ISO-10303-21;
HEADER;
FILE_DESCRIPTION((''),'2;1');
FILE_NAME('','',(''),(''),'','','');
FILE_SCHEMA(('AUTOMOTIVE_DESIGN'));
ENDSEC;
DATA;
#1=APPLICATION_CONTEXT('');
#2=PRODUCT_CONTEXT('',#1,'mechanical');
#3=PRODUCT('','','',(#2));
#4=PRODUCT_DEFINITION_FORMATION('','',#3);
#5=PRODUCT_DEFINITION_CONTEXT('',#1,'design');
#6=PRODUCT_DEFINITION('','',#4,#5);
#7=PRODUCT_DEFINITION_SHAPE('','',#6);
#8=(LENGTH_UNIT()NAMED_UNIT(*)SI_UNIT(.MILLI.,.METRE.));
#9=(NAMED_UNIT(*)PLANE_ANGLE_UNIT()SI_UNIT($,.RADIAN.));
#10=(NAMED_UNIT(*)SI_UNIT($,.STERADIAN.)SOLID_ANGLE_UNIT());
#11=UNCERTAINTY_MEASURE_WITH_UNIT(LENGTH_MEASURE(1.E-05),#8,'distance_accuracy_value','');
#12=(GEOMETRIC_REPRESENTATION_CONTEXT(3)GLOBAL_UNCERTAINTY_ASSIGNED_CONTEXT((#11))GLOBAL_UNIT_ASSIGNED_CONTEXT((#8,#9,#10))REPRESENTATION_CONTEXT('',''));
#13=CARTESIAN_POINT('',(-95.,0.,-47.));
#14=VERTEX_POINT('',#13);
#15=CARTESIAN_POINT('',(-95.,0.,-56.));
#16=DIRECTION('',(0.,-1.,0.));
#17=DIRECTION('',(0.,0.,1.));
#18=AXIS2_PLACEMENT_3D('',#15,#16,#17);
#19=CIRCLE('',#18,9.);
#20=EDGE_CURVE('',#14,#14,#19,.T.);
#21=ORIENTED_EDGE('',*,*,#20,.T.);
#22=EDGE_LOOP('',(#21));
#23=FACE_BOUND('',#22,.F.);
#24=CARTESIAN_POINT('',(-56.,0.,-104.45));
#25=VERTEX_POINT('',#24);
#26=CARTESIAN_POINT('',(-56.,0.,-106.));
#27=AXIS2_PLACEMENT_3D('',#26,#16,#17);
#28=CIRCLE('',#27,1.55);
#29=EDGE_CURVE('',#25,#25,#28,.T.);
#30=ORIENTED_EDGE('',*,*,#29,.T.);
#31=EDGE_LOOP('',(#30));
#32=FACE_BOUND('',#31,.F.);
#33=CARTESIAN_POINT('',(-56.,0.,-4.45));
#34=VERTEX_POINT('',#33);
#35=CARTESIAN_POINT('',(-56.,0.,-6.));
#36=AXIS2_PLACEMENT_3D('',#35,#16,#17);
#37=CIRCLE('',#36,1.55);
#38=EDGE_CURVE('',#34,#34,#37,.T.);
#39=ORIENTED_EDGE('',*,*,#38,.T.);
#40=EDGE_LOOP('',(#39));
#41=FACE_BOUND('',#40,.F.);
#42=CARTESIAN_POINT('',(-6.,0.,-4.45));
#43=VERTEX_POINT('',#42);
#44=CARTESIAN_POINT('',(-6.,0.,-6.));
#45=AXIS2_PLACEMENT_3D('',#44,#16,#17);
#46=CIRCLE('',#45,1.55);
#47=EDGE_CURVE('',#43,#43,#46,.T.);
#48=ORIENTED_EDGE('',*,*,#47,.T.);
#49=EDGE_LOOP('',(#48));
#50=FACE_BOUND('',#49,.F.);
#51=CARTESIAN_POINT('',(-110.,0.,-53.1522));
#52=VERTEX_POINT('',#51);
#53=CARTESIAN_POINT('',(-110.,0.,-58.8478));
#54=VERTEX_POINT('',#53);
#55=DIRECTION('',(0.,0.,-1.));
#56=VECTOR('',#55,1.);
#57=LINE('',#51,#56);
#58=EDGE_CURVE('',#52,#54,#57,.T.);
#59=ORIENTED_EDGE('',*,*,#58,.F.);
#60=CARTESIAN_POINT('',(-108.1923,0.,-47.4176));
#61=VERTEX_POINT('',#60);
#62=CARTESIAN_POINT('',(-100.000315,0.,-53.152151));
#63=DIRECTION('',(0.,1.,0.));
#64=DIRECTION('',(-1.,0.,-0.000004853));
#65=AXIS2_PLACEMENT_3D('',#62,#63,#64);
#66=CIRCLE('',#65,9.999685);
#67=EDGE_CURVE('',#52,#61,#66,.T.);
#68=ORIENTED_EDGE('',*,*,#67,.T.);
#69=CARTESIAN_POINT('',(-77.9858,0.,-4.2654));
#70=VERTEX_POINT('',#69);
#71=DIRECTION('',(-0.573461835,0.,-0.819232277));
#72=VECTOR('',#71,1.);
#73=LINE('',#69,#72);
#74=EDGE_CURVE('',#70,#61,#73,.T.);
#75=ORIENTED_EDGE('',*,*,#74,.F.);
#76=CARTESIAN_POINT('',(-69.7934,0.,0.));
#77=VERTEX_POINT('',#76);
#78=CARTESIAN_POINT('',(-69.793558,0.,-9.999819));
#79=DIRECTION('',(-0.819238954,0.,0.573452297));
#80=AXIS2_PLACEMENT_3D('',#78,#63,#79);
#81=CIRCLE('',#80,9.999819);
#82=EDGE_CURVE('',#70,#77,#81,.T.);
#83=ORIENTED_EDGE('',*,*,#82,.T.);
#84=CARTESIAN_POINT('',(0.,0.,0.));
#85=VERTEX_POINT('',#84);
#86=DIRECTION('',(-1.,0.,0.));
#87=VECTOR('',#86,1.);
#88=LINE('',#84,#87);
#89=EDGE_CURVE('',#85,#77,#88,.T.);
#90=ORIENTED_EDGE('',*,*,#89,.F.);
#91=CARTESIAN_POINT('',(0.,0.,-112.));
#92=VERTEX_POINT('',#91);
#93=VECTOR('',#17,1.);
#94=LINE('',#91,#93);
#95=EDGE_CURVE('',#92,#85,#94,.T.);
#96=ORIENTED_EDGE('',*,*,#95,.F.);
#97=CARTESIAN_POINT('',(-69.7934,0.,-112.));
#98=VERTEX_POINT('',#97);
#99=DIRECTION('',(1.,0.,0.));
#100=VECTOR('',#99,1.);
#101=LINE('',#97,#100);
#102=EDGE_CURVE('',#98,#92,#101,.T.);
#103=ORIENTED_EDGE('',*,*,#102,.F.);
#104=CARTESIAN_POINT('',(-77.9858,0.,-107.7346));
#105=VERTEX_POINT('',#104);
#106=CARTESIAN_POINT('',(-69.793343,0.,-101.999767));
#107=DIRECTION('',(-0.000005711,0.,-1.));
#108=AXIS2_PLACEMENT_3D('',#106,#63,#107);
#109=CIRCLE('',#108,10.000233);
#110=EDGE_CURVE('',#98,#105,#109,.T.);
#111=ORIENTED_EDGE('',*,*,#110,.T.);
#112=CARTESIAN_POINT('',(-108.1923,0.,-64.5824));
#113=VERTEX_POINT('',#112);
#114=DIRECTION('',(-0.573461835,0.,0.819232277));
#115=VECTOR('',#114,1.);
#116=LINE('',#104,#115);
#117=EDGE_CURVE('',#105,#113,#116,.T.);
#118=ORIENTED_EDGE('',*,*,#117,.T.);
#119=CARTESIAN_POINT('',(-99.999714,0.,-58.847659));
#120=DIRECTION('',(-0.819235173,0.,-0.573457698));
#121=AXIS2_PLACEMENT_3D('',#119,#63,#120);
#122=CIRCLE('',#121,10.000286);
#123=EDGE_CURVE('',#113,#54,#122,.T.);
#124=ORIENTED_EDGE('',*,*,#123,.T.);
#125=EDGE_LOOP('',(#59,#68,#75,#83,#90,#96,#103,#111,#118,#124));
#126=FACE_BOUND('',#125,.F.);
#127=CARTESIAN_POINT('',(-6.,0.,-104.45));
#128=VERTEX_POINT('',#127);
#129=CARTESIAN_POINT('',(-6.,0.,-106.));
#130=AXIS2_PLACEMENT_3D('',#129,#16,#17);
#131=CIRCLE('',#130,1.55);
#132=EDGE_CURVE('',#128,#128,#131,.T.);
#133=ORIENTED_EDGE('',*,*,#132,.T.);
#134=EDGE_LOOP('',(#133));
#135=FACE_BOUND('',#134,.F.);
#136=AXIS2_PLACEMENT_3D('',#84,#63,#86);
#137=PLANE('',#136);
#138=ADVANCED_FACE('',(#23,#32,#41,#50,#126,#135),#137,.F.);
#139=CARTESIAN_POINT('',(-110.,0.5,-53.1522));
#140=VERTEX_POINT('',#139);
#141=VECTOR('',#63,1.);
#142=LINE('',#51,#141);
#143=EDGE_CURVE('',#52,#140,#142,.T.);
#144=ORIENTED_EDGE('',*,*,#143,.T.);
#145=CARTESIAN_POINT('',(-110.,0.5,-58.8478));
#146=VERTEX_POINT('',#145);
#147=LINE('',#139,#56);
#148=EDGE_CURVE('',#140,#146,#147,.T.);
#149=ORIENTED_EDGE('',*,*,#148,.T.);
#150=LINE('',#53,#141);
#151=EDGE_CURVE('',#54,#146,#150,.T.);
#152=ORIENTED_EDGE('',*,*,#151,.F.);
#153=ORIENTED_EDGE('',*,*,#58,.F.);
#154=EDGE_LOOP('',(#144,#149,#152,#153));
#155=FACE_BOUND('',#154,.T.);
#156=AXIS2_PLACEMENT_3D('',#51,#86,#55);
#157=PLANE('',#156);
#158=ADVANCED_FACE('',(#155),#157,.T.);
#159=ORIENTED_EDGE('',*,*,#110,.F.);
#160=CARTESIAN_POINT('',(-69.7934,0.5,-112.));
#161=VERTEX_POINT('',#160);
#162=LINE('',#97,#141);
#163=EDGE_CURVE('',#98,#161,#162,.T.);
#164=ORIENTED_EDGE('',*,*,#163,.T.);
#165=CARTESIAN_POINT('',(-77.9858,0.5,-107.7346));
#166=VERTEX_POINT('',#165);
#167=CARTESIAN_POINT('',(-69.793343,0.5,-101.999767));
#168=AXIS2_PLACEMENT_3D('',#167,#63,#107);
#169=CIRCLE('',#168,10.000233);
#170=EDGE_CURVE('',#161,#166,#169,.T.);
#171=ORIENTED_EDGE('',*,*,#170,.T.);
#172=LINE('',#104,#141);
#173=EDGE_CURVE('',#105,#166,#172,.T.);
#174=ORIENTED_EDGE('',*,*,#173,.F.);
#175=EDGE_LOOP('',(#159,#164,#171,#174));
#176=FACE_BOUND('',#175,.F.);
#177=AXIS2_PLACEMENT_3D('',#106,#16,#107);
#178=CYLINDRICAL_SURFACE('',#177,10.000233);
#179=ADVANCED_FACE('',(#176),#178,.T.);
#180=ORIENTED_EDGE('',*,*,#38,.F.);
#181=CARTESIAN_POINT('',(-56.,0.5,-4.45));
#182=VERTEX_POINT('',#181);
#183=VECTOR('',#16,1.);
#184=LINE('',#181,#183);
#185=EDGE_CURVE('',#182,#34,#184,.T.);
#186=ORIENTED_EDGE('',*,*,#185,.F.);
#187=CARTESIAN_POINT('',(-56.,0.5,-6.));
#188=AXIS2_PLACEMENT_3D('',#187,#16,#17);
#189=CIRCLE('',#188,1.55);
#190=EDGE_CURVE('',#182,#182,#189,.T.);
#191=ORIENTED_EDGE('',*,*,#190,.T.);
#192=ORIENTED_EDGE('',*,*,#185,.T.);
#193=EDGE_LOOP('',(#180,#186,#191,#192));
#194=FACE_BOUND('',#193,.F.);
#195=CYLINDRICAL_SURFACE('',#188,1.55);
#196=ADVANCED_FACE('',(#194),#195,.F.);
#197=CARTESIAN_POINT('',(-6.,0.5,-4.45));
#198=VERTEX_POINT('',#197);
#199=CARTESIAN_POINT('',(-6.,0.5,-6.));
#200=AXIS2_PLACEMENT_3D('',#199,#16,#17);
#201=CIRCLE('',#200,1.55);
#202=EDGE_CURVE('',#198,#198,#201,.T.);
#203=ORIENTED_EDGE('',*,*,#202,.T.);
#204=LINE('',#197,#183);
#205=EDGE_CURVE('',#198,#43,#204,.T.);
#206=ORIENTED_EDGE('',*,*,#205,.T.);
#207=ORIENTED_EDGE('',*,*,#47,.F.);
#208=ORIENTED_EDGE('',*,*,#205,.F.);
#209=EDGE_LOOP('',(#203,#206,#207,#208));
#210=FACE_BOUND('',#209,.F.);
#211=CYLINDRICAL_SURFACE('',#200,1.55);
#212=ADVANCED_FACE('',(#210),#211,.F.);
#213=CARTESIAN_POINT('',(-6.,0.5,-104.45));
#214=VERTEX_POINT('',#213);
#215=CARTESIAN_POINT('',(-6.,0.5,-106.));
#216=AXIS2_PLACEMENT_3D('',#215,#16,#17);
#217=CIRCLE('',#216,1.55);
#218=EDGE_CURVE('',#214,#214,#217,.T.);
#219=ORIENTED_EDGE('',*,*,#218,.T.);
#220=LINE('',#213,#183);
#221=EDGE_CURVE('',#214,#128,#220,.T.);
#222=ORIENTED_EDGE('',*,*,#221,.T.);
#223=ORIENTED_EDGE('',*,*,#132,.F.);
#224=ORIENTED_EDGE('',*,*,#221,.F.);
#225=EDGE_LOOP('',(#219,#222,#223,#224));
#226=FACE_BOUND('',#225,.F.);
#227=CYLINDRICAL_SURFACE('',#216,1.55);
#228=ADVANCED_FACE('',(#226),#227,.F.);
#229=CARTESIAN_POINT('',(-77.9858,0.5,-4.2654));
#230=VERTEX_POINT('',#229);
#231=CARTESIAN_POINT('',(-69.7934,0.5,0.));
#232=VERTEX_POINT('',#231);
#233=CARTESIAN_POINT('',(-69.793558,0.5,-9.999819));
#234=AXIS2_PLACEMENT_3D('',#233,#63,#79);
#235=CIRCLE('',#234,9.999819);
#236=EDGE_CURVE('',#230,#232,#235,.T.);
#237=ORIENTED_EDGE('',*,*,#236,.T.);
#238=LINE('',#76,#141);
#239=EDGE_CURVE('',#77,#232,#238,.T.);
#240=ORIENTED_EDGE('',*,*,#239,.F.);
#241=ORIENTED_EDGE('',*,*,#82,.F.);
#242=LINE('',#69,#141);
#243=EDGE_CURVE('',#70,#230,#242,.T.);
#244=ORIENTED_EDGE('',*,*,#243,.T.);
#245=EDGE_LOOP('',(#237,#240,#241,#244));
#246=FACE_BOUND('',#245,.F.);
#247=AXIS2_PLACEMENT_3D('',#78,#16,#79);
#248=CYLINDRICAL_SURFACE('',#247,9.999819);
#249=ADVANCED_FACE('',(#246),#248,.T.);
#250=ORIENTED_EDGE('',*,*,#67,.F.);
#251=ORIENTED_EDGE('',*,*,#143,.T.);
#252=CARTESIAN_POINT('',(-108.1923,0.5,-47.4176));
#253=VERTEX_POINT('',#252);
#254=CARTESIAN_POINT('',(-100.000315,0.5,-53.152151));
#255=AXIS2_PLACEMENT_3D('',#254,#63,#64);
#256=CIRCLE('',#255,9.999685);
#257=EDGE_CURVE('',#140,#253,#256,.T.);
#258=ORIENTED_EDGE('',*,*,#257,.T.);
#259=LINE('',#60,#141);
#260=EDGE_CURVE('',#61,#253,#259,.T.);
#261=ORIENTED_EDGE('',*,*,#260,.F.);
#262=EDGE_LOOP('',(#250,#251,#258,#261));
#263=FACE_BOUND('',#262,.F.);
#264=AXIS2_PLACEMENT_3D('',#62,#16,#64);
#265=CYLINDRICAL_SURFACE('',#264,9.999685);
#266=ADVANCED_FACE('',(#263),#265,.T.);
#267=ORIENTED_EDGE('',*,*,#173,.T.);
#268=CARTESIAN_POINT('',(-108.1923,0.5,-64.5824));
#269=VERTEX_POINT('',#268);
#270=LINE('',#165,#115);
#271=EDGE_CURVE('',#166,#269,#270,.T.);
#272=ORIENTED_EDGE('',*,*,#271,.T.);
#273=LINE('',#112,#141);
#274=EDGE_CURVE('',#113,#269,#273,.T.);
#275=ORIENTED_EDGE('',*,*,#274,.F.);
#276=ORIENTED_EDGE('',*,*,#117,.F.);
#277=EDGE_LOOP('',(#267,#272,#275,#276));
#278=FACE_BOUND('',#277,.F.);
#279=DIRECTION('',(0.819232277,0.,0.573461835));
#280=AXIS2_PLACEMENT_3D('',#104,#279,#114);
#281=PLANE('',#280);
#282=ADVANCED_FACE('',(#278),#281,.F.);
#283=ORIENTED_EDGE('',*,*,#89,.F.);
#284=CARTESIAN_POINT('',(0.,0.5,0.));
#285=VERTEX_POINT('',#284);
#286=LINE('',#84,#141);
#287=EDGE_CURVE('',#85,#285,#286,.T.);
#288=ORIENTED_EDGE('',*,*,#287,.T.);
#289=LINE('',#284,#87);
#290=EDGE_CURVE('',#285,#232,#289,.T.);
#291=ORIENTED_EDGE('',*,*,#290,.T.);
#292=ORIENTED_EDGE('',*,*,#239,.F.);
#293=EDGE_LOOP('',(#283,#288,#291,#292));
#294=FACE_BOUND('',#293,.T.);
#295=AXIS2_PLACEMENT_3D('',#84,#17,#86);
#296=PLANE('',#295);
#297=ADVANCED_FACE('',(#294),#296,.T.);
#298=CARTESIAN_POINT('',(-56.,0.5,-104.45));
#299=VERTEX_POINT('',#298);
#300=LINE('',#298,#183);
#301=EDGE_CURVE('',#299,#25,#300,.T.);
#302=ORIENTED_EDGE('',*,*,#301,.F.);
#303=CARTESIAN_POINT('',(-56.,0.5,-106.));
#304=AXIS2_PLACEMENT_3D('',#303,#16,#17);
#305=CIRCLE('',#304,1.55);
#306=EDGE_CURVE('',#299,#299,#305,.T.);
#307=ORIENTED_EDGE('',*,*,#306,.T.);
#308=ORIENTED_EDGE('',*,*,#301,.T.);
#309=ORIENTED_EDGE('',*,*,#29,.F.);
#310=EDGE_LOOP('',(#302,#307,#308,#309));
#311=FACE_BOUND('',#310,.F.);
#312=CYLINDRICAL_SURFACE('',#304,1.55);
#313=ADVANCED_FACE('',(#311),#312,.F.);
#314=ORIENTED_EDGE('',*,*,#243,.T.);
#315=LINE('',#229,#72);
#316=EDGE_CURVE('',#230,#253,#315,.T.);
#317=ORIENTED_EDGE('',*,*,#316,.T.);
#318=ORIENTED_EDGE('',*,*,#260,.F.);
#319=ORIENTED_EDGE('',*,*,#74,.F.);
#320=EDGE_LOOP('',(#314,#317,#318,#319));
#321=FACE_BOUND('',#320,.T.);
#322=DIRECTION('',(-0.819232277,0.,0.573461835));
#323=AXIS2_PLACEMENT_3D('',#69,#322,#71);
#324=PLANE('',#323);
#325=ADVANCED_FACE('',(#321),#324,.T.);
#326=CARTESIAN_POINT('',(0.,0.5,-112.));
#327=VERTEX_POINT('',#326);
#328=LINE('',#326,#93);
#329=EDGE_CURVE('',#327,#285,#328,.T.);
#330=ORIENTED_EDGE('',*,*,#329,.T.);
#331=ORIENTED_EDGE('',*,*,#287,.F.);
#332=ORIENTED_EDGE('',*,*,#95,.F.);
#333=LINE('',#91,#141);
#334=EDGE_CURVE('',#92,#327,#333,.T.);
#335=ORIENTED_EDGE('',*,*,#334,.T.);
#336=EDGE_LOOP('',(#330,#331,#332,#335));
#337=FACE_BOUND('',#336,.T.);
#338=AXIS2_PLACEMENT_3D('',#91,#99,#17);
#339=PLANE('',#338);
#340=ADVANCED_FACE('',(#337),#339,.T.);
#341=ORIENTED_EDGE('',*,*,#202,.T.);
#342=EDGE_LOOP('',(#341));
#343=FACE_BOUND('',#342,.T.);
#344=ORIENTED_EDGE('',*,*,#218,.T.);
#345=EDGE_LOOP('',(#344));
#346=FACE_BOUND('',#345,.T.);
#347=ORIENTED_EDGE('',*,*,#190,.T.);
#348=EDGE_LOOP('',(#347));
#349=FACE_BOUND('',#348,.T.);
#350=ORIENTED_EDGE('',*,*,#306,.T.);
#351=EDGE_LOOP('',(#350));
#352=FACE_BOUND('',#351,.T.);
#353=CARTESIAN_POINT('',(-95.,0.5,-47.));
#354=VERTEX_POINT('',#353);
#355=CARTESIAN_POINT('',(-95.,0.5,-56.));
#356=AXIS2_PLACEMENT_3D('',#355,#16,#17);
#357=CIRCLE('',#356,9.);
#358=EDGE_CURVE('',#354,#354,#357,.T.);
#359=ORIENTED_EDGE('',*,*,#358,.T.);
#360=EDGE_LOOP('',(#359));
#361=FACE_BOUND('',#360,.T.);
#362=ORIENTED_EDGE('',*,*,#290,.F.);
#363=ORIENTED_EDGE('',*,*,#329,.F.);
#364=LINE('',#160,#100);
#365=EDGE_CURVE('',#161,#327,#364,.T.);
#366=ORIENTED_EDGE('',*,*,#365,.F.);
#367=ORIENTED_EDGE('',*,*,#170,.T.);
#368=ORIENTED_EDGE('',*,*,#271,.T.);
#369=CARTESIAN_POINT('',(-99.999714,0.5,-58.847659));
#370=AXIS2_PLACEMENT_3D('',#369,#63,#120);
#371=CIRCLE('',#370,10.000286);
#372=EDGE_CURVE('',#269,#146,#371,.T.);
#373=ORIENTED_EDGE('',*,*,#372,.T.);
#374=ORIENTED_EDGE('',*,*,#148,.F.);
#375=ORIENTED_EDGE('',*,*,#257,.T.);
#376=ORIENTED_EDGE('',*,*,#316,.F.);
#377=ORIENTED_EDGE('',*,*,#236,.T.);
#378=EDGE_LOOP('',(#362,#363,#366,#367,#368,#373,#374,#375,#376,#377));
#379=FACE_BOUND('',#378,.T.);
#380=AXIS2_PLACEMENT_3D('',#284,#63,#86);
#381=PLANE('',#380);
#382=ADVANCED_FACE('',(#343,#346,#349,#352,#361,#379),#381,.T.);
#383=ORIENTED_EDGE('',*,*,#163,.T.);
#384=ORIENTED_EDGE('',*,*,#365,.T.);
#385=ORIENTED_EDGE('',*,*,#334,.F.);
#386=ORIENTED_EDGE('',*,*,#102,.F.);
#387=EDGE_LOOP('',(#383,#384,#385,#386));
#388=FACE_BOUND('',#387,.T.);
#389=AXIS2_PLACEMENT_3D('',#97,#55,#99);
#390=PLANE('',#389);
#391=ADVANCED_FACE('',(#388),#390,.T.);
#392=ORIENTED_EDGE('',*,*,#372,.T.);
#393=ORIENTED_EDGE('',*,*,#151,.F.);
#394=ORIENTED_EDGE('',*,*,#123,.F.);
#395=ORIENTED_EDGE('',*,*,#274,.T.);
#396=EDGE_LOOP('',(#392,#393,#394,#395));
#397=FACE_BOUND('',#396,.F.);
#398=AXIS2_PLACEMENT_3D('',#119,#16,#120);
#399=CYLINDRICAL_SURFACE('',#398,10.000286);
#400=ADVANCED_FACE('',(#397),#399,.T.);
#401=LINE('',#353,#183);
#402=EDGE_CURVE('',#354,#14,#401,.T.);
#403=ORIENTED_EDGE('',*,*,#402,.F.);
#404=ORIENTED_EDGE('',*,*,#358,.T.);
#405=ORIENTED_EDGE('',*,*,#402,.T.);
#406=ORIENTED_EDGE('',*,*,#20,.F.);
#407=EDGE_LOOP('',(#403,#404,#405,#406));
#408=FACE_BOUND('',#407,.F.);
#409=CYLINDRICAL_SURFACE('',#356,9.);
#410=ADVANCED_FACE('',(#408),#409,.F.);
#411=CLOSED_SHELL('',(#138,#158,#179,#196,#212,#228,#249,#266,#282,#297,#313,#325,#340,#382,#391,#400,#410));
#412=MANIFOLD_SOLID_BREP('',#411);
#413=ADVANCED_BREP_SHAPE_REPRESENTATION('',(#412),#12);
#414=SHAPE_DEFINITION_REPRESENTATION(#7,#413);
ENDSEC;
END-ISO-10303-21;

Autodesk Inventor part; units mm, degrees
ref_plane "YZ Plane" through (0, 0, 0) normal (1, 0, 0) x (0, 1, 0)
ref_plane "XZ Plane" through (0, 0, 0) normal (0, 1, 0) x (-1, 0, 0)
ref_plane "XY Plane" through (0, 0, 0) normal (0, 0, 1) x (1, 0, 0)
sketch "Sketch2" plane through (0, 0, 0) normal (0, 1, 0) x (-1, 0, 0)
  line L0 (0, 0) -> (69.7934, 0)
  line L1 (110, -53.1522) -> (110, -58.8478)
  line L2 (69.7934, -112) -> (0, -112)
  line L3 (0, -112) -> (0, 0)
  line L4 (77.9858, -4.2654) -> (108.1923, -47.4176)
  line L5 (77.9858, -107.7346) -> (108.1923, -64.5824)
  arc A0 (110, -53.1522) -> (108.1923, -47.4176) centre (100, -53.1522) ccw
  arc A1 (108.1923, -64.5824) -> (110, -58.8478) centre (100, -58.8478) ccw
  arc A2 (77.9858, -4.2654) -> (69.7934, 0) centre (69.7934, -10) ccw
  arc A3 (69.7934, -112) -> (77.9858, -107.7346) centre (69.7934, -102) ccw
  point P0 (110, -112)
  point P1 (110, 0)
  point P2 (75, 0)
  point P3 (110, -50)
  point P4 (75, -112)
  point P5 (110, -62)
  dimension "d10" = 110
  dimension "d11" = 112
  dimension "d34" = 35
  dimension "d35" = 50
  dimension "d36" = 35
  dimension "d37" = 50
  dimension "d38" = 10
extrude "Plate1" add sketch "Sketch2" along normal blind 0.5
sketch "Sketch3" plane through (0, 0.5, 0) normal (0, 1, 0) x (1, 0, 0)
  line L0 (0, 0) -> (-69.7934, 0) projected
  line L1 (-69.7934, 112) -> (0, 112) projected
  line L2 (0, 112) -> (0, 0) projected
  circle A0 centre (-6, 6) radius 1.55
  line L3 (0, 59.1522) -> (-110, 59.1522) construction
  line L4 (-110, 53.1522) -> (-110, 58.8478) projected
  line L5 (-6, 0) -> (-6, 112) construction
  circle A1 centre (-6, 106) radius 1.55
  circle A2 centre (-56, 6) radius 1.55
  circle A3 centre (-56, 106) radius 1.55
  point P0 (-62, 0)
  point P1 (-62, 112)
  point P2 (-110, 58.8478)
  dimension "d16" = 3.1
  dimension "d17" = 6
  dimension "d18" = 6
  dimension "d21" = 100
  dimension "d24" = 50
hole "Hole1" at (-56, 0.5, -6) at (-6, 0.5, -6) at (-6, 0.5, -106) at (-56, 0.5, -106) direction (0, -1, 0) diameter 3.1 end through all
sketch "Sketch4" plane through (0, 0.5, 0) normal (0, 1, 0) x (1, 0, 0)
  circle A0 centre (-56, 6) radius 1.55 projected
  circle A1 centre (-56, 106) radius 1.55 projected
  line L0 (-56, 6) -> (-56, 106) construction
  line L1 (-56, 106) -> (-56, 56)
  line L2 (-56, 56) -> (-110, 56) construction
  line L3 (-110, 53.1522) -> (-110, 58.8478) projected
  circle A2 centre (-95, 56) radius 9
  line L4 (-110, 53.1522) -> (-110, 58.8478) projected
  point P0 (0, 0)
  dimension "d39" = 18
  dimension "d40" = 15
hole "Hole2" at (-95, 0.5, -56) direction (0, -1, 0) diameter 18 end through all
equation "\"d32\" = Thickness"
equation "\"d36\" = d34"
equation "\"BendRadius\" = Thickness"
equation "\"BendReliefWidth\" = Thickness"
equation "\"BendReliefDepth\" = 0.5 * Thickness"
equation "\"CornerReliefSize\" = 4 * Thickness"
equation "\"MinimumRemnant\" = 2 * Thickness"
equation "\"TransitionRadius\" = BendRadius"
equation "\"JacobiRadiusSize\" = BendRadius"
equation "\"GapSize\" = Thickness"
properties part number "Sketch-3-44"
